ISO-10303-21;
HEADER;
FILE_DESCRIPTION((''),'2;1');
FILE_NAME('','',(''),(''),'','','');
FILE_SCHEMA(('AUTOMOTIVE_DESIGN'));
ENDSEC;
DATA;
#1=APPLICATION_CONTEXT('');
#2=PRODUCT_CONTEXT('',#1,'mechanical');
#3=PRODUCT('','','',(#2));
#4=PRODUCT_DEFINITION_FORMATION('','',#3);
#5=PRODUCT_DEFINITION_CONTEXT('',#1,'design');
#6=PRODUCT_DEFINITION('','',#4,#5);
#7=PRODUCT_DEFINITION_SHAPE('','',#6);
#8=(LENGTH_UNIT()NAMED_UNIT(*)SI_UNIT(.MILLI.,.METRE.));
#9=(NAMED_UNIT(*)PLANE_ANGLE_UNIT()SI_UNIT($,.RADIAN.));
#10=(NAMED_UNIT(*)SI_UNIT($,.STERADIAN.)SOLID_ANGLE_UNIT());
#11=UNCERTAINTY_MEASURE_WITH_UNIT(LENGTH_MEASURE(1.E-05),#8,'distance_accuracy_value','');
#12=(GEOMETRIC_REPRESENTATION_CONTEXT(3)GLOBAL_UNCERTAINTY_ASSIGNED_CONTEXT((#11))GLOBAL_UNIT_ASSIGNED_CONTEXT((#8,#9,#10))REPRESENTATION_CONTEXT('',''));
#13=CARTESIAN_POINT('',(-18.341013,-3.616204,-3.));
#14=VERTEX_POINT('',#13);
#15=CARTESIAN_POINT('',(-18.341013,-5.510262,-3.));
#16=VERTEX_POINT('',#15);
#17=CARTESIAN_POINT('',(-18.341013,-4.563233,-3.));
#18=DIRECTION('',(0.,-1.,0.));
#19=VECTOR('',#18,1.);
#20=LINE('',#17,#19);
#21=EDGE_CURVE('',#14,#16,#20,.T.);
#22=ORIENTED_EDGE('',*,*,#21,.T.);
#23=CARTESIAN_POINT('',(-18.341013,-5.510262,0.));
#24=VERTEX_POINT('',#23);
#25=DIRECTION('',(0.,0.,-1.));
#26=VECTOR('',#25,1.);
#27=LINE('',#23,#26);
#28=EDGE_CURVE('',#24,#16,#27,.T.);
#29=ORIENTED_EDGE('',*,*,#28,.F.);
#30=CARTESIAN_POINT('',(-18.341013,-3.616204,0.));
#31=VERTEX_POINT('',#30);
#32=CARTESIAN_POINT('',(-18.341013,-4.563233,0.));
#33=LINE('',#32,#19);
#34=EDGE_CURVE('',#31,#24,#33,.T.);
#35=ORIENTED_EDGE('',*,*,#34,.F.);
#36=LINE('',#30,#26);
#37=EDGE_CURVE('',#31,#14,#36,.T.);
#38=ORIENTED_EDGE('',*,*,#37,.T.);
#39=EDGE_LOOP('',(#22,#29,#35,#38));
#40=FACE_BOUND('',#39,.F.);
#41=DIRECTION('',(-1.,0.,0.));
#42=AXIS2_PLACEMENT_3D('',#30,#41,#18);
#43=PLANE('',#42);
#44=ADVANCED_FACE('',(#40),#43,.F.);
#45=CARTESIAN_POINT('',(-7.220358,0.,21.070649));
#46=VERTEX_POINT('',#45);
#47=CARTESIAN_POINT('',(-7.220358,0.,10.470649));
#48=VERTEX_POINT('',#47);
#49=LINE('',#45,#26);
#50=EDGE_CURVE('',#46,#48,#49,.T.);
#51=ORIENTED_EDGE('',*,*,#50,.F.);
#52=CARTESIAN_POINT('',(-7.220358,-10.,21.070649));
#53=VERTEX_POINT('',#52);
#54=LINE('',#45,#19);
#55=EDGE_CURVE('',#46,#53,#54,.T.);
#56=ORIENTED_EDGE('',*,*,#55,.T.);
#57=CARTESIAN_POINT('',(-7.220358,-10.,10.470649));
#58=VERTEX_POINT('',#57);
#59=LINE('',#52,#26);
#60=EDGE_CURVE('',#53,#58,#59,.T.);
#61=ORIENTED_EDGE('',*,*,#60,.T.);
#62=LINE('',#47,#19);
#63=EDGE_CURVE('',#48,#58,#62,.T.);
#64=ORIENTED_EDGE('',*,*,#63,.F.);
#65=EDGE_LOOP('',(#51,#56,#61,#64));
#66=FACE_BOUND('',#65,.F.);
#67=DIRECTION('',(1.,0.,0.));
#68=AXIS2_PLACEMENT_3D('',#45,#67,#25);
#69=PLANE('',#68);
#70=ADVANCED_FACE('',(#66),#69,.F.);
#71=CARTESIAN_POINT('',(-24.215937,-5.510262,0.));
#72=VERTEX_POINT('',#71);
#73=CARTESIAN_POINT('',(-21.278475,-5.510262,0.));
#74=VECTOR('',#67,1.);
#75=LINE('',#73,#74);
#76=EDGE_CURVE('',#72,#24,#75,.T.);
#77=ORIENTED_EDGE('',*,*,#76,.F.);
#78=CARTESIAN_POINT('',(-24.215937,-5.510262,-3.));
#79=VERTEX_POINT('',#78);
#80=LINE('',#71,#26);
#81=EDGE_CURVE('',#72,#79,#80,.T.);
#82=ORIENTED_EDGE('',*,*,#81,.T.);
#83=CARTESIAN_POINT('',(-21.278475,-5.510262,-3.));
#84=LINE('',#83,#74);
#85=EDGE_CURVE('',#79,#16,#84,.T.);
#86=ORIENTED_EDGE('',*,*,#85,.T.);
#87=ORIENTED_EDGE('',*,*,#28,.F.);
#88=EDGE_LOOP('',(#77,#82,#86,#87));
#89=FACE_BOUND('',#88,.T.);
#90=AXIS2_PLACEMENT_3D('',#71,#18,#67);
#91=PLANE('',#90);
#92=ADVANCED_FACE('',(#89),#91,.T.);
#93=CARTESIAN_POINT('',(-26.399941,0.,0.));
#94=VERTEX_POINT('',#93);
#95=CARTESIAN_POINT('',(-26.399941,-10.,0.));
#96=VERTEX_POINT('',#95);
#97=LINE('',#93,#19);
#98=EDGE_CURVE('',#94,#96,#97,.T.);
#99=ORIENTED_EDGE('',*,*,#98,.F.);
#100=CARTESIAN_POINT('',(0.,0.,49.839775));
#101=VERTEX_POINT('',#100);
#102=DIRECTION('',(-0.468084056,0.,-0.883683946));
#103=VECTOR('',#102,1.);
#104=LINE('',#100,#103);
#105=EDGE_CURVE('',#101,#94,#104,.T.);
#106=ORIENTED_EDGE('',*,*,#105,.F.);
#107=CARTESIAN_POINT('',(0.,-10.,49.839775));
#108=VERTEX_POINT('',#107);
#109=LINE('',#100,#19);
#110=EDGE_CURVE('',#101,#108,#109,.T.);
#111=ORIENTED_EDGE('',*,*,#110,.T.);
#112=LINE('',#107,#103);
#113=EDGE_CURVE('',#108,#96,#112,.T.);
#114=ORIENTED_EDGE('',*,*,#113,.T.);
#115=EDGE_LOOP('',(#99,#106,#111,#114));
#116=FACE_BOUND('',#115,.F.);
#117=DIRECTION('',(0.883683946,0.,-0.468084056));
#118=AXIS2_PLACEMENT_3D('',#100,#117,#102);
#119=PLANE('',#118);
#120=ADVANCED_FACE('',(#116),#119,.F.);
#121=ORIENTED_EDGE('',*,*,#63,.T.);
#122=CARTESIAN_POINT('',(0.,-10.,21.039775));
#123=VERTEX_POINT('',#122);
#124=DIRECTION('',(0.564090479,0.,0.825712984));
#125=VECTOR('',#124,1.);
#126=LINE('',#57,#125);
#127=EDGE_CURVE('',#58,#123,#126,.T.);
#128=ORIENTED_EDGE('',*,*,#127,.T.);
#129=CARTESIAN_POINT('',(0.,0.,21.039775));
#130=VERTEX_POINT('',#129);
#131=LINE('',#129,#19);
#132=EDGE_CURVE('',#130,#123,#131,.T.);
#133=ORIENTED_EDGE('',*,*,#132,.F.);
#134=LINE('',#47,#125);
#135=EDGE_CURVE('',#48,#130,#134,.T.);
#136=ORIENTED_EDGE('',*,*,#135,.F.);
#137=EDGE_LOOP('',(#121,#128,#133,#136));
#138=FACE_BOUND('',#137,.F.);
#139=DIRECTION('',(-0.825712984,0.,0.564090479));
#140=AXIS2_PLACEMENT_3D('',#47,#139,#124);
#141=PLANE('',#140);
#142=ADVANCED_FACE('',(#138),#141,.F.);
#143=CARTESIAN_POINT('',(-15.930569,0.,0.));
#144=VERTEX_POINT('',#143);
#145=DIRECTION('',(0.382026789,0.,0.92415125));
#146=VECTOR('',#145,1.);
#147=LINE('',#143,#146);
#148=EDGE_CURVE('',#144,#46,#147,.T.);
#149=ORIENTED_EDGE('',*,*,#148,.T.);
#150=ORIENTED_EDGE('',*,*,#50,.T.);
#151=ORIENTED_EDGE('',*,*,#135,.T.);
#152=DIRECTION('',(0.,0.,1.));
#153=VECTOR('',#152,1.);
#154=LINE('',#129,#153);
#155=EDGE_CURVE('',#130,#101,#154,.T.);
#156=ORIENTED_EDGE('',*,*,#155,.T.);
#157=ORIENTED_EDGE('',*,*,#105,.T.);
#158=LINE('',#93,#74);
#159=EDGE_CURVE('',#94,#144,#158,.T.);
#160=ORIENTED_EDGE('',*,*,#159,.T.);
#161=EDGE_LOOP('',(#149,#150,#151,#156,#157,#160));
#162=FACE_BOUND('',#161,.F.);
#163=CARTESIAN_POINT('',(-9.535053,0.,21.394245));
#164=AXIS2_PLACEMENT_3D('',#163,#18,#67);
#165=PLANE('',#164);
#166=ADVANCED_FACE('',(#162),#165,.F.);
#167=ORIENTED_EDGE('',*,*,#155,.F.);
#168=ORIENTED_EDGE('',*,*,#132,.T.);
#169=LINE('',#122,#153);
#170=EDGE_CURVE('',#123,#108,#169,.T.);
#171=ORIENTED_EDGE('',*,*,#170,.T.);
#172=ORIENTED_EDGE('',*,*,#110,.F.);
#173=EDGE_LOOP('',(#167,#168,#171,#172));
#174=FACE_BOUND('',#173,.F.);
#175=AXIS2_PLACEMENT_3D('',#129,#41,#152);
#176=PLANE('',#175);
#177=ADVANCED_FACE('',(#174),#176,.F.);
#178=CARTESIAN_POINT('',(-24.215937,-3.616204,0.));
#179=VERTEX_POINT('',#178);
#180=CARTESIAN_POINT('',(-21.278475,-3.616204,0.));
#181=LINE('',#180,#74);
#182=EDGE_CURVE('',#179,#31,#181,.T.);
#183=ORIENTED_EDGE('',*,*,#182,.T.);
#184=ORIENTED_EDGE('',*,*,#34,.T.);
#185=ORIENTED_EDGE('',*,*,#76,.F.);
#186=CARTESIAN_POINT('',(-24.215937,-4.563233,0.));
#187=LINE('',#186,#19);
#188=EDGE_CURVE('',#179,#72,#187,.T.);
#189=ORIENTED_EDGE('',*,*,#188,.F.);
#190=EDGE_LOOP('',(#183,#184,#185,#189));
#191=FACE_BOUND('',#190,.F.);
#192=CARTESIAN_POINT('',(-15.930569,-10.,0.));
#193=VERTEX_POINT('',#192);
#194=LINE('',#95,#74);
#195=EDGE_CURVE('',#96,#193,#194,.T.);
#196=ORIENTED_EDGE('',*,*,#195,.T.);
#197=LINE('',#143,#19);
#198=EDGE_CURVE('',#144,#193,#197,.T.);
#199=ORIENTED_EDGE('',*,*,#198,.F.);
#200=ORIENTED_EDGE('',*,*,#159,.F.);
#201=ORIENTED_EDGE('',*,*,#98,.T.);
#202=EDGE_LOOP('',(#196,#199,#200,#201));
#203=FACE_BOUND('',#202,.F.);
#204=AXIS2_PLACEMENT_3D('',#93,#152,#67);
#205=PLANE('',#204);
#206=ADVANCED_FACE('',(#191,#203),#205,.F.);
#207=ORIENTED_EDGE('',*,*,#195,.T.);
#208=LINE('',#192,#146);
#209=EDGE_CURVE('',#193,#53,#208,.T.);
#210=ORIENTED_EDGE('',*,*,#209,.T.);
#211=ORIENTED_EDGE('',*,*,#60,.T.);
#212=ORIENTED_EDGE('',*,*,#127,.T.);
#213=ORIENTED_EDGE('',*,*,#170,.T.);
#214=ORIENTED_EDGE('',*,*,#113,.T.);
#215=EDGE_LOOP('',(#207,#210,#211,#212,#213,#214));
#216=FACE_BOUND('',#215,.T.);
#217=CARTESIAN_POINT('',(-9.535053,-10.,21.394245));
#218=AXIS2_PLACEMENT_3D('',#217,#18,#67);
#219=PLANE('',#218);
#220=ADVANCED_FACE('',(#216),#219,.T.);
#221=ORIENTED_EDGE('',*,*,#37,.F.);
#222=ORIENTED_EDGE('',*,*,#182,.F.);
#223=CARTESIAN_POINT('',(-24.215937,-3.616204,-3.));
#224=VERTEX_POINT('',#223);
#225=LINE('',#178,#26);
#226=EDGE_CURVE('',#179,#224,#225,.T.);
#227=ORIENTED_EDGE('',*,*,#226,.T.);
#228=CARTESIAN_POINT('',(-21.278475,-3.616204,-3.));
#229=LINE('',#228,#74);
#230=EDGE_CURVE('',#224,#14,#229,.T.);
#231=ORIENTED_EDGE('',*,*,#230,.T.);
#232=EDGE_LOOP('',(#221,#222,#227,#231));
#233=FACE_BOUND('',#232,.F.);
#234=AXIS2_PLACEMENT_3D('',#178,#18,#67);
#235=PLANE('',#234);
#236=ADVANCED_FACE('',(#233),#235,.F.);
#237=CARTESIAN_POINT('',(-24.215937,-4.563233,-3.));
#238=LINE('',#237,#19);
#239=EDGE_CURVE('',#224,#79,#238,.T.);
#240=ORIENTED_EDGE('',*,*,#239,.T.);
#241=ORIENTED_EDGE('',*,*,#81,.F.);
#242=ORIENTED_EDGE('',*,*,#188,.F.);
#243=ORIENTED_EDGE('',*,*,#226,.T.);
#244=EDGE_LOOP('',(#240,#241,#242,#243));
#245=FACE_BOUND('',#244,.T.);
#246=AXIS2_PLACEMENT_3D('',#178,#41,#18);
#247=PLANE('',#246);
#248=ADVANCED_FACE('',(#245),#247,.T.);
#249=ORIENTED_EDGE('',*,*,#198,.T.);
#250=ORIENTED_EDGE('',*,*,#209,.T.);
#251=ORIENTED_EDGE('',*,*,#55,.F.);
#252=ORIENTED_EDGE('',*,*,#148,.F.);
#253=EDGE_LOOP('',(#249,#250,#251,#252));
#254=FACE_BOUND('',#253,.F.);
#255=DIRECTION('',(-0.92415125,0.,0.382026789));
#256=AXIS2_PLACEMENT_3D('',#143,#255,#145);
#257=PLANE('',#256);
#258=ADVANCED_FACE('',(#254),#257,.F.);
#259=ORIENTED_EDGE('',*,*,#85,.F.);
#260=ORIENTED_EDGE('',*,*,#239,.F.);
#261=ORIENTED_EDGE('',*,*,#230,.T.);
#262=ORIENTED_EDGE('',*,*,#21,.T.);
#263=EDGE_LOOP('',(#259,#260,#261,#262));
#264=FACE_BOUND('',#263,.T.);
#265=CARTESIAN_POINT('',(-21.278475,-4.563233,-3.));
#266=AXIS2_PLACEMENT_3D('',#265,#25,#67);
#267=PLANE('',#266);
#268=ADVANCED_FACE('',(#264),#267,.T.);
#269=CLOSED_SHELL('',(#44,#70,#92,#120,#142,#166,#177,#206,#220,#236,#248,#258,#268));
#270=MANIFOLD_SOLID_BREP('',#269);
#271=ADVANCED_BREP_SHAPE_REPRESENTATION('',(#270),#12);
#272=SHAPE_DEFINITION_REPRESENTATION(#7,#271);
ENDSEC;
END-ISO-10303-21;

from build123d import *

# Parameters (mm, degrees)
F1_DEPTH = 10
F3_W     = 5.874925
F3_H     = 1.894058
F4_DEPTH = 3


with BuildPart() as f1:
    # F0 (on Front) → F1 (new body)
    with BuildSketch(Plane.XZ):
        Polygon((0, 49.839775), (-26.399941, 0), (-15.930569, 0), (-7.220358, 21.070649), (-7.220358, 10.470649), (0, 21.039775), align=None)
    extrude(amount=F1_DEPTH)

    # F3 (on face) → F4 (join)
    with BuildSketch(Plane(origin=(0, 0, 0), x_dir=(1, 0, 0), z_dir=(0, 0, -1))):
        with Locations((-21.278475, 4.563233)):
            Rectangle(F3_W, F3_H)
    extrude(amount=F4_DEPTH)


solid = f1.part
